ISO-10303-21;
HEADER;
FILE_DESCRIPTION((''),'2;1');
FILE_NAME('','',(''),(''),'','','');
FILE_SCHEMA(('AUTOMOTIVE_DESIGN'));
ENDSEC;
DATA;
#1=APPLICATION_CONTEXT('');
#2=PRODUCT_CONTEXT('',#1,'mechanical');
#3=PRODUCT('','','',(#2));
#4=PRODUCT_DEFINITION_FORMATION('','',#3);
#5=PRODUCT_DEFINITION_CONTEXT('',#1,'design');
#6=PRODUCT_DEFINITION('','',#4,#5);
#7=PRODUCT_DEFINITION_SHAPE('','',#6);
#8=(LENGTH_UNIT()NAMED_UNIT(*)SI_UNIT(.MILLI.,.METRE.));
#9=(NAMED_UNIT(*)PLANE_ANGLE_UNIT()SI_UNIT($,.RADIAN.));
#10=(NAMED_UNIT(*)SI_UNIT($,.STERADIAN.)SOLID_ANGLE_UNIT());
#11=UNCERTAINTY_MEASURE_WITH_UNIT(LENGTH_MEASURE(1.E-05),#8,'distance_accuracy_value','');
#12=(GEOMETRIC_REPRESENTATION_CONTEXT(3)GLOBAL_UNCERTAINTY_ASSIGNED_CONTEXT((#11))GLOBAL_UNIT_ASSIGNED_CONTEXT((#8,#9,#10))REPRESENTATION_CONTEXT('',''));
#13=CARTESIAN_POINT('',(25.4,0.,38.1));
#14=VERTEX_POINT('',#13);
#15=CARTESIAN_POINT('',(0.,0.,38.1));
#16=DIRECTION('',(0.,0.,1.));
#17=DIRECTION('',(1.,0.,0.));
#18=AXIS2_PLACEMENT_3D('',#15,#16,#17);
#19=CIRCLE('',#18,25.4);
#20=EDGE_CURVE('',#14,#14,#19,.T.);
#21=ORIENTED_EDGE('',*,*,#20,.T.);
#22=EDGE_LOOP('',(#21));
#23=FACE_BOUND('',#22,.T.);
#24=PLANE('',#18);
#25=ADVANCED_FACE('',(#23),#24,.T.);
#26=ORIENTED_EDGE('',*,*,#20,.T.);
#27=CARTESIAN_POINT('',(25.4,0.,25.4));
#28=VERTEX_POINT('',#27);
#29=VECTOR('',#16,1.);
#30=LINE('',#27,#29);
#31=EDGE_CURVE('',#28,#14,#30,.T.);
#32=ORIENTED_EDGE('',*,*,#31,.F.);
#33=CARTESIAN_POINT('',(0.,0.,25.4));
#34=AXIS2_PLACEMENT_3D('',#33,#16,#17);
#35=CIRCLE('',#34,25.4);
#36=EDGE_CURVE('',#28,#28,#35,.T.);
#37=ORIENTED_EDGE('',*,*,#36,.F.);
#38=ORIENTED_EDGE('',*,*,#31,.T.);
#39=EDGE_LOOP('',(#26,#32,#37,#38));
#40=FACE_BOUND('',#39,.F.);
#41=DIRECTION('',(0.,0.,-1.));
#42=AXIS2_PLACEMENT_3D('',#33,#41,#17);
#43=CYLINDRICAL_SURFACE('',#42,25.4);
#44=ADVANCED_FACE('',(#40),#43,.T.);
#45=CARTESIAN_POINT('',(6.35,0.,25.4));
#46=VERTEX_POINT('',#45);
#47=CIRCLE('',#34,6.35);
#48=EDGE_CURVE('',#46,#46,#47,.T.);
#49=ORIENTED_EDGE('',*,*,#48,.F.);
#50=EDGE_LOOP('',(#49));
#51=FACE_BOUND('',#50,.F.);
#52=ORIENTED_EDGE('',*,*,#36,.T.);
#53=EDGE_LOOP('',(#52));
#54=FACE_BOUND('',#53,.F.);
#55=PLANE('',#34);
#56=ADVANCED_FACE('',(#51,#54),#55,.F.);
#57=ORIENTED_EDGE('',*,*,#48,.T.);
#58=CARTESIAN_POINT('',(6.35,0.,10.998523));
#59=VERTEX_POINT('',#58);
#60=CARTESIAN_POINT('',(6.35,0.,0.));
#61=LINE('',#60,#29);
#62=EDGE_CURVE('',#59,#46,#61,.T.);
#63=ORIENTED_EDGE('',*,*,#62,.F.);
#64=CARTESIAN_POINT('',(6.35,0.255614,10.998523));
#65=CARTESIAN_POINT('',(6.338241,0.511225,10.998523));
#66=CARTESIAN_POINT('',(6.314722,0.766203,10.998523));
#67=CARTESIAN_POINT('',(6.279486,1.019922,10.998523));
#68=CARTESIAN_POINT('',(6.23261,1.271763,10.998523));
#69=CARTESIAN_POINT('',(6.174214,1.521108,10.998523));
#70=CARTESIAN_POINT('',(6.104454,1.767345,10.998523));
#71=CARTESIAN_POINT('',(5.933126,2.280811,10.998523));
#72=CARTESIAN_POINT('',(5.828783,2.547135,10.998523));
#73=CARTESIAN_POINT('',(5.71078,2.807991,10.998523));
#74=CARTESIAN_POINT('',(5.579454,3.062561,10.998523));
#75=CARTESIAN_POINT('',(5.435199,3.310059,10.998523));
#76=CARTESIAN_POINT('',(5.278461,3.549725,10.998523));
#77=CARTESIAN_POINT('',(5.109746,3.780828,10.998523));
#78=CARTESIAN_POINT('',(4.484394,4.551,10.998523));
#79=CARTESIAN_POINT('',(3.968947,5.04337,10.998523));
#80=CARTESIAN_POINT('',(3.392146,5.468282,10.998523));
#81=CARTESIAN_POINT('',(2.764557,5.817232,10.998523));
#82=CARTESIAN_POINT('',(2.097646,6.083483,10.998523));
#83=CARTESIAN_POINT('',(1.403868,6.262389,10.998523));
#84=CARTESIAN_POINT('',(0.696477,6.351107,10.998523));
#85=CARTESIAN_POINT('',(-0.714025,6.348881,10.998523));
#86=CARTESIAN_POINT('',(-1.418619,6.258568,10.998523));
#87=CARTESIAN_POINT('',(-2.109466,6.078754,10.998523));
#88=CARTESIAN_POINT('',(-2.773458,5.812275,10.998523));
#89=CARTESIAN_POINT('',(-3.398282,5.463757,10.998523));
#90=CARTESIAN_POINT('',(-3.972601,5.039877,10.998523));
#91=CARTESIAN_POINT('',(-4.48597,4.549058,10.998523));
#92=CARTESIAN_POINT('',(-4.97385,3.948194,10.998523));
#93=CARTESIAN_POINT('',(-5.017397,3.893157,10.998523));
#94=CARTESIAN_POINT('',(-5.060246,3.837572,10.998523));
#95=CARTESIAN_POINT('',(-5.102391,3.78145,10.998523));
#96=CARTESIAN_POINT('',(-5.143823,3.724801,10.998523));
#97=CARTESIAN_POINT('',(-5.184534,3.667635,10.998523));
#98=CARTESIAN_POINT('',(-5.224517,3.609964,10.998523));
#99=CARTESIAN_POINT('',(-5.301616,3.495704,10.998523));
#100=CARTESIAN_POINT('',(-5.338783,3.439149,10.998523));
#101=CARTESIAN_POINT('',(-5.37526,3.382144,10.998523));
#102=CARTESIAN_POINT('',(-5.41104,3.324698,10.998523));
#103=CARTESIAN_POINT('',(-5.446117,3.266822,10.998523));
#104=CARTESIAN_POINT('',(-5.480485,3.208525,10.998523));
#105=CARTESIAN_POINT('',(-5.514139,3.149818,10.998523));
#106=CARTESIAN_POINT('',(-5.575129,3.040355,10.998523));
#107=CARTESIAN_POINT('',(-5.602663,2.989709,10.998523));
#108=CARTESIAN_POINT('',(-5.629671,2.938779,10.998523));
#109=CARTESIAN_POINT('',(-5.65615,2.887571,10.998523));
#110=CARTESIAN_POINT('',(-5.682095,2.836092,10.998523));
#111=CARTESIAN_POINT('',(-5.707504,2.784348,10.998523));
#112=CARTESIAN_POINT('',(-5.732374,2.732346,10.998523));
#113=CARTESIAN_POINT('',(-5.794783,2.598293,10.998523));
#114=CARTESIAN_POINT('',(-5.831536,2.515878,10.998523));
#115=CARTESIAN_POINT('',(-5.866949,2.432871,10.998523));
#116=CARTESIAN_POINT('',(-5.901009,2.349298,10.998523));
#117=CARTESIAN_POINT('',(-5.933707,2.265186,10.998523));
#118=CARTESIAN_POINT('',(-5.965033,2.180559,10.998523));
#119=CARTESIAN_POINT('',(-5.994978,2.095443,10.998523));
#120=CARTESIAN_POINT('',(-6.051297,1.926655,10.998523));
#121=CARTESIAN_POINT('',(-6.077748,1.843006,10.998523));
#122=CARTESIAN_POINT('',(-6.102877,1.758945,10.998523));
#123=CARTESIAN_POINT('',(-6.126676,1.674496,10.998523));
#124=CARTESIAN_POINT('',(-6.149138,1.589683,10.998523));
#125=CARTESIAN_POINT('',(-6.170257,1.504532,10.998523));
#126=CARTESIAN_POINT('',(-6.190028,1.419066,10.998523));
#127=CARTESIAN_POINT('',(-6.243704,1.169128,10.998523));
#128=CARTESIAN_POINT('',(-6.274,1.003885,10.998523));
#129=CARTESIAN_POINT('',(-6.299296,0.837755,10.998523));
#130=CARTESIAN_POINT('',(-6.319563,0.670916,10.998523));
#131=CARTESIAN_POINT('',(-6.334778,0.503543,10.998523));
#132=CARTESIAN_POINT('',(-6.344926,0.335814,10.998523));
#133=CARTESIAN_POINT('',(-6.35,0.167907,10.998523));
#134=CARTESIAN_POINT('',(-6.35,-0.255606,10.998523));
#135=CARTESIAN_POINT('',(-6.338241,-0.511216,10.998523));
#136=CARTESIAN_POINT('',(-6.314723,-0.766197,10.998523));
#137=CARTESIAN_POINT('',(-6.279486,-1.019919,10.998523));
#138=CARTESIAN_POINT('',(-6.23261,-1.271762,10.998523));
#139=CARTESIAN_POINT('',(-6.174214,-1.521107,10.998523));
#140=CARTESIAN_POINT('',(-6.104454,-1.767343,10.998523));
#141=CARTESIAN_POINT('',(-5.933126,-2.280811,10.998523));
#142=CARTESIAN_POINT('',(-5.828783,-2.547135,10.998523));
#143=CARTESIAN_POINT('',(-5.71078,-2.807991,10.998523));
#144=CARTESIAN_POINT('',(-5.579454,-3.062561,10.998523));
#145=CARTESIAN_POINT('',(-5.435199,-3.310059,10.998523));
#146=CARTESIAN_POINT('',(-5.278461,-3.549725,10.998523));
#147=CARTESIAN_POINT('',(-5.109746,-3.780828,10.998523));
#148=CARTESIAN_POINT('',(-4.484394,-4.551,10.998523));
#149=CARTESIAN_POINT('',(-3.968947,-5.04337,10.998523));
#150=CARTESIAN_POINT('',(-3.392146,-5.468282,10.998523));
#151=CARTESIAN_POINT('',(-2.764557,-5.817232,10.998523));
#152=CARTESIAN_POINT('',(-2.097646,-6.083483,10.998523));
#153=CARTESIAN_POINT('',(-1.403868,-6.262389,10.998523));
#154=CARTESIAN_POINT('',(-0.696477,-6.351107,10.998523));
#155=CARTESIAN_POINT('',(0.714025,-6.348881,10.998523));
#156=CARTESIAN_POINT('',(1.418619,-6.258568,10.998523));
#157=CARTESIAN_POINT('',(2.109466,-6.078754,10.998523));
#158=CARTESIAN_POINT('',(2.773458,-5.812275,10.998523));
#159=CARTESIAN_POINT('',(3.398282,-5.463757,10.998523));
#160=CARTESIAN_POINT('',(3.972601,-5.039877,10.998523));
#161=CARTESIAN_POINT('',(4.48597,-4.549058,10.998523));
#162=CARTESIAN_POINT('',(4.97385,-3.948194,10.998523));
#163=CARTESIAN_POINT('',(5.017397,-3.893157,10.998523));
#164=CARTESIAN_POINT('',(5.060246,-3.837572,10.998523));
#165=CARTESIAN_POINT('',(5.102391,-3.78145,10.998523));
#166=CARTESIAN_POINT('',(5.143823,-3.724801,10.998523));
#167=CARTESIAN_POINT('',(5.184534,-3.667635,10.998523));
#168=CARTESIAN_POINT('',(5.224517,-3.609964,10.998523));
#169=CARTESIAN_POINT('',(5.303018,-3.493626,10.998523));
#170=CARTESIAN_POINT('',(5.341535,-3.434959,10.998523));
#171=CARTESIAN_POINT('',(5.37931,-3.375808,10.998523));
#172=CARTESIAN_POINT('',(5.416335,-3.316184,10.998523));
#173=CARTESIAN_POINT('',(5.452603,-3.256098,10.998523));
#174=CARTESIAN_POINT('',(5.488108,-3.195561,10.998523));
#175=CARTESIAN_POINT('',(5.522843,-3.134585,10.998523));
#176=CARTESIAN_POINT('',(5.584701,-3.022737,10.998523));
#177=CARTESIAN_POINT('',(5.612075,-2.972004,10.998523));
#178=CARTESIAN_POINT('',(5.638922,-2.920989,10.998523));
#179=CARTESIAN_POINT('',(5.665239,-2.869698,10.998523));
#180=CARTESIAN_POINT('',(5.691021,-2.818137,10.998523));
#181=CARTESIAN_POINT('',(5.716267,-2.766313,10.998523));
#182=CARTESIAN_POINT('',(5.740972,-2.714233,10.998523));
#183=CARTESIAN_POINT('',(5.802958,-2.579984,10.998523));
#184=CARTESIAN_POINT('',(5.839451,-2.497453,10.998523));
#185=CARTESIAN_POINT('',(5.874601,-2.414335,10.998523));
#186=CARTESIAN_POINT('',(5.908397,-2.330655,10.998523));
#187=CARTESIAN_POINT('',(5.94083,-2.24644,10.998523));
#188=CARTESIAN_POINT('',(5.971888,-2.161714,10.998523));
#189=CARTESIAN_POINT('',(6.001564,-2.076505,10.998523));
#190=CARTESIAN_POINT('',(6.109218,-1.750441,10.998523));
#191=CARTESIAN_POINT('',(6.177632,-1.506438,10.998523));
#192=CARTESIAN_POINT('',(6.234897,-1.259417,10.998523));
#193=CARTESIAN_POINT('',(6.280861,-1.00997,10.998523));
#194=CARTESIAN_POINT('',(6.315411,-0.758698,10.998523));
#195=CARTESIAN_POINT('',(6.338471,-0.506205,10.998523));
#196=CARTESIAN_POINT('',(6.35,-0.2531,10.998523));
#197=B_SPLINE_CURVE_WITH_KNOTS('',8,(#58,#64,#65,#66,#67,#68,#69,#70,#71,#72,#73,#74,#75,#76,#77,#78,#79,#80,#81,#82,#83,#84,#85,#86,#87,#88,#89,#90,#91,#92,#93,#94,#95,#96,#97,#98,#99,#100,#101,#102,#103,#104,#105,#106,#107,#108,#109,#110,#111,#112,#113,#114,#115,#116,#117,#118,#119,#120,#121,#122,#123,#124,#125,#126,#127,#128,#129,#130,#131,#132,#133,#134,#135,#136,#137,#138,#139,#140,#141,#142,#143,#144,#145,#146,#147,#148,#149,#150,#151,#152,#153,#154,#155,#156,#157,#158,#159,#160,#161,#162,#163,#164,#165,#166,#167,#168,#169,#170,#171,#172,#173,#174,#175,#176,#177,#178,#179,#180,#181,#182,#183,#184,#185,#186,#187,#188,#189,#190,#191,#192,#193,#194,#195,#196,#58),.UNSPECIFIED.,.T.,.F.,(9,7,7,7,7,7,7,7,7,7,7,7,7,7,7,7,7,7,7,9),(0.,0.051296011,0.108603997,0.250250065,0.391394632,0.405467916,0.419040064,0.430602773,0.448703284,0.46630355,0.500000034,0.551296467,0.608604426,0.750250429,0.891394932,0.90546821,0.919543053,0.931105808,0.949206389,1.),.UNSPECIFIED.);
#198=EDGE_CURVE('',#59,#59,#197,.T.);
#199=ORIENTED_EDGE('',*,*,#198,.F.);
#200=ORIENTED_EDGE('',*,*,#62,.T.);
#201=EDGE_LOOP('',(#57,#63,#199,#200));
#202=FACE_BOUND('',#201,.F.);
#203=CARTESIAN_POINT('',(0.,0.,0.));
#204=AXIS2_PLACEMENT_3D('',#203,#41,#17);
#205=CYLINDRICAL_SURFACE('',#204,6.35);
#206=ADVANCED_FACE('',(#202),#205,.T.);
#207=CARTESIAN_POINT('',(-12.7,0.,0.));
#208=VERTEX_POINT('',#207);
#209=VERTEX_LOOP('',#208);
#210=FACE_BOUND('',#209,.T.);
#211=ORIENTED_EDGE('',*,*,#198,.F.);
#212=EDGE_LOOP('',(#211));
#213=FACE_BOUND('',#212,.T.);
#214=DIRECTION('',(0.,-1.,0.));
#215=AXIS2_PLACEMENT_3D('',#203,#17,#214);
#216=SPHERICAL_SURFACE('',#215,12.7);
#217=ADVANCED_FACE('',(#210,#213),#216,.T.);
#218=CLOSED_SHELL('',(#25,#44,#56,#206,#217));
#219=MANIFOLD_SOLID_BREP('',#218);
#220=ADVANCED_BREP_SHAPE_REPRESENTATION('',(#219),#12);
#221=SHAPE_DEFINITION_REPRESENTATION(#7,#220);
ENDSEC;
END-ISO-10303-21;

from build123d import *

# Parameters (mm, degrees)
F2_R     = 6.35
F3_DEPTH = 25.4
F4_R     = 25.4
F5_DEPTH = 12.7


with BuildPart() as f1:
    # F0 (on Top) → F1 (revolve)
    with BuildSketch(Plane.XY):
        with BuildLine():
            ThreePointArc((-12.7, 0), (0, -12.7), (12.7, 0))
            Line((12.7, 0), (-12.7, 0))
        make_face()
    revolve(axis=Axis((0, 0, 0), (1, 0, 0)))

    # F2 (on Top) → F3 (join)
    with BuildSketch(Plane.XY):
        Circle(F2_R)
    extrude(amount=F3_DEPTH)

    # F4 (on face) → F5 (join)
    with BuildSketch(Plane.XY.offset(25.4)):
        Circle(F4_R)
    extrude(amount=F5_DEPTH)


solid = f1.part
